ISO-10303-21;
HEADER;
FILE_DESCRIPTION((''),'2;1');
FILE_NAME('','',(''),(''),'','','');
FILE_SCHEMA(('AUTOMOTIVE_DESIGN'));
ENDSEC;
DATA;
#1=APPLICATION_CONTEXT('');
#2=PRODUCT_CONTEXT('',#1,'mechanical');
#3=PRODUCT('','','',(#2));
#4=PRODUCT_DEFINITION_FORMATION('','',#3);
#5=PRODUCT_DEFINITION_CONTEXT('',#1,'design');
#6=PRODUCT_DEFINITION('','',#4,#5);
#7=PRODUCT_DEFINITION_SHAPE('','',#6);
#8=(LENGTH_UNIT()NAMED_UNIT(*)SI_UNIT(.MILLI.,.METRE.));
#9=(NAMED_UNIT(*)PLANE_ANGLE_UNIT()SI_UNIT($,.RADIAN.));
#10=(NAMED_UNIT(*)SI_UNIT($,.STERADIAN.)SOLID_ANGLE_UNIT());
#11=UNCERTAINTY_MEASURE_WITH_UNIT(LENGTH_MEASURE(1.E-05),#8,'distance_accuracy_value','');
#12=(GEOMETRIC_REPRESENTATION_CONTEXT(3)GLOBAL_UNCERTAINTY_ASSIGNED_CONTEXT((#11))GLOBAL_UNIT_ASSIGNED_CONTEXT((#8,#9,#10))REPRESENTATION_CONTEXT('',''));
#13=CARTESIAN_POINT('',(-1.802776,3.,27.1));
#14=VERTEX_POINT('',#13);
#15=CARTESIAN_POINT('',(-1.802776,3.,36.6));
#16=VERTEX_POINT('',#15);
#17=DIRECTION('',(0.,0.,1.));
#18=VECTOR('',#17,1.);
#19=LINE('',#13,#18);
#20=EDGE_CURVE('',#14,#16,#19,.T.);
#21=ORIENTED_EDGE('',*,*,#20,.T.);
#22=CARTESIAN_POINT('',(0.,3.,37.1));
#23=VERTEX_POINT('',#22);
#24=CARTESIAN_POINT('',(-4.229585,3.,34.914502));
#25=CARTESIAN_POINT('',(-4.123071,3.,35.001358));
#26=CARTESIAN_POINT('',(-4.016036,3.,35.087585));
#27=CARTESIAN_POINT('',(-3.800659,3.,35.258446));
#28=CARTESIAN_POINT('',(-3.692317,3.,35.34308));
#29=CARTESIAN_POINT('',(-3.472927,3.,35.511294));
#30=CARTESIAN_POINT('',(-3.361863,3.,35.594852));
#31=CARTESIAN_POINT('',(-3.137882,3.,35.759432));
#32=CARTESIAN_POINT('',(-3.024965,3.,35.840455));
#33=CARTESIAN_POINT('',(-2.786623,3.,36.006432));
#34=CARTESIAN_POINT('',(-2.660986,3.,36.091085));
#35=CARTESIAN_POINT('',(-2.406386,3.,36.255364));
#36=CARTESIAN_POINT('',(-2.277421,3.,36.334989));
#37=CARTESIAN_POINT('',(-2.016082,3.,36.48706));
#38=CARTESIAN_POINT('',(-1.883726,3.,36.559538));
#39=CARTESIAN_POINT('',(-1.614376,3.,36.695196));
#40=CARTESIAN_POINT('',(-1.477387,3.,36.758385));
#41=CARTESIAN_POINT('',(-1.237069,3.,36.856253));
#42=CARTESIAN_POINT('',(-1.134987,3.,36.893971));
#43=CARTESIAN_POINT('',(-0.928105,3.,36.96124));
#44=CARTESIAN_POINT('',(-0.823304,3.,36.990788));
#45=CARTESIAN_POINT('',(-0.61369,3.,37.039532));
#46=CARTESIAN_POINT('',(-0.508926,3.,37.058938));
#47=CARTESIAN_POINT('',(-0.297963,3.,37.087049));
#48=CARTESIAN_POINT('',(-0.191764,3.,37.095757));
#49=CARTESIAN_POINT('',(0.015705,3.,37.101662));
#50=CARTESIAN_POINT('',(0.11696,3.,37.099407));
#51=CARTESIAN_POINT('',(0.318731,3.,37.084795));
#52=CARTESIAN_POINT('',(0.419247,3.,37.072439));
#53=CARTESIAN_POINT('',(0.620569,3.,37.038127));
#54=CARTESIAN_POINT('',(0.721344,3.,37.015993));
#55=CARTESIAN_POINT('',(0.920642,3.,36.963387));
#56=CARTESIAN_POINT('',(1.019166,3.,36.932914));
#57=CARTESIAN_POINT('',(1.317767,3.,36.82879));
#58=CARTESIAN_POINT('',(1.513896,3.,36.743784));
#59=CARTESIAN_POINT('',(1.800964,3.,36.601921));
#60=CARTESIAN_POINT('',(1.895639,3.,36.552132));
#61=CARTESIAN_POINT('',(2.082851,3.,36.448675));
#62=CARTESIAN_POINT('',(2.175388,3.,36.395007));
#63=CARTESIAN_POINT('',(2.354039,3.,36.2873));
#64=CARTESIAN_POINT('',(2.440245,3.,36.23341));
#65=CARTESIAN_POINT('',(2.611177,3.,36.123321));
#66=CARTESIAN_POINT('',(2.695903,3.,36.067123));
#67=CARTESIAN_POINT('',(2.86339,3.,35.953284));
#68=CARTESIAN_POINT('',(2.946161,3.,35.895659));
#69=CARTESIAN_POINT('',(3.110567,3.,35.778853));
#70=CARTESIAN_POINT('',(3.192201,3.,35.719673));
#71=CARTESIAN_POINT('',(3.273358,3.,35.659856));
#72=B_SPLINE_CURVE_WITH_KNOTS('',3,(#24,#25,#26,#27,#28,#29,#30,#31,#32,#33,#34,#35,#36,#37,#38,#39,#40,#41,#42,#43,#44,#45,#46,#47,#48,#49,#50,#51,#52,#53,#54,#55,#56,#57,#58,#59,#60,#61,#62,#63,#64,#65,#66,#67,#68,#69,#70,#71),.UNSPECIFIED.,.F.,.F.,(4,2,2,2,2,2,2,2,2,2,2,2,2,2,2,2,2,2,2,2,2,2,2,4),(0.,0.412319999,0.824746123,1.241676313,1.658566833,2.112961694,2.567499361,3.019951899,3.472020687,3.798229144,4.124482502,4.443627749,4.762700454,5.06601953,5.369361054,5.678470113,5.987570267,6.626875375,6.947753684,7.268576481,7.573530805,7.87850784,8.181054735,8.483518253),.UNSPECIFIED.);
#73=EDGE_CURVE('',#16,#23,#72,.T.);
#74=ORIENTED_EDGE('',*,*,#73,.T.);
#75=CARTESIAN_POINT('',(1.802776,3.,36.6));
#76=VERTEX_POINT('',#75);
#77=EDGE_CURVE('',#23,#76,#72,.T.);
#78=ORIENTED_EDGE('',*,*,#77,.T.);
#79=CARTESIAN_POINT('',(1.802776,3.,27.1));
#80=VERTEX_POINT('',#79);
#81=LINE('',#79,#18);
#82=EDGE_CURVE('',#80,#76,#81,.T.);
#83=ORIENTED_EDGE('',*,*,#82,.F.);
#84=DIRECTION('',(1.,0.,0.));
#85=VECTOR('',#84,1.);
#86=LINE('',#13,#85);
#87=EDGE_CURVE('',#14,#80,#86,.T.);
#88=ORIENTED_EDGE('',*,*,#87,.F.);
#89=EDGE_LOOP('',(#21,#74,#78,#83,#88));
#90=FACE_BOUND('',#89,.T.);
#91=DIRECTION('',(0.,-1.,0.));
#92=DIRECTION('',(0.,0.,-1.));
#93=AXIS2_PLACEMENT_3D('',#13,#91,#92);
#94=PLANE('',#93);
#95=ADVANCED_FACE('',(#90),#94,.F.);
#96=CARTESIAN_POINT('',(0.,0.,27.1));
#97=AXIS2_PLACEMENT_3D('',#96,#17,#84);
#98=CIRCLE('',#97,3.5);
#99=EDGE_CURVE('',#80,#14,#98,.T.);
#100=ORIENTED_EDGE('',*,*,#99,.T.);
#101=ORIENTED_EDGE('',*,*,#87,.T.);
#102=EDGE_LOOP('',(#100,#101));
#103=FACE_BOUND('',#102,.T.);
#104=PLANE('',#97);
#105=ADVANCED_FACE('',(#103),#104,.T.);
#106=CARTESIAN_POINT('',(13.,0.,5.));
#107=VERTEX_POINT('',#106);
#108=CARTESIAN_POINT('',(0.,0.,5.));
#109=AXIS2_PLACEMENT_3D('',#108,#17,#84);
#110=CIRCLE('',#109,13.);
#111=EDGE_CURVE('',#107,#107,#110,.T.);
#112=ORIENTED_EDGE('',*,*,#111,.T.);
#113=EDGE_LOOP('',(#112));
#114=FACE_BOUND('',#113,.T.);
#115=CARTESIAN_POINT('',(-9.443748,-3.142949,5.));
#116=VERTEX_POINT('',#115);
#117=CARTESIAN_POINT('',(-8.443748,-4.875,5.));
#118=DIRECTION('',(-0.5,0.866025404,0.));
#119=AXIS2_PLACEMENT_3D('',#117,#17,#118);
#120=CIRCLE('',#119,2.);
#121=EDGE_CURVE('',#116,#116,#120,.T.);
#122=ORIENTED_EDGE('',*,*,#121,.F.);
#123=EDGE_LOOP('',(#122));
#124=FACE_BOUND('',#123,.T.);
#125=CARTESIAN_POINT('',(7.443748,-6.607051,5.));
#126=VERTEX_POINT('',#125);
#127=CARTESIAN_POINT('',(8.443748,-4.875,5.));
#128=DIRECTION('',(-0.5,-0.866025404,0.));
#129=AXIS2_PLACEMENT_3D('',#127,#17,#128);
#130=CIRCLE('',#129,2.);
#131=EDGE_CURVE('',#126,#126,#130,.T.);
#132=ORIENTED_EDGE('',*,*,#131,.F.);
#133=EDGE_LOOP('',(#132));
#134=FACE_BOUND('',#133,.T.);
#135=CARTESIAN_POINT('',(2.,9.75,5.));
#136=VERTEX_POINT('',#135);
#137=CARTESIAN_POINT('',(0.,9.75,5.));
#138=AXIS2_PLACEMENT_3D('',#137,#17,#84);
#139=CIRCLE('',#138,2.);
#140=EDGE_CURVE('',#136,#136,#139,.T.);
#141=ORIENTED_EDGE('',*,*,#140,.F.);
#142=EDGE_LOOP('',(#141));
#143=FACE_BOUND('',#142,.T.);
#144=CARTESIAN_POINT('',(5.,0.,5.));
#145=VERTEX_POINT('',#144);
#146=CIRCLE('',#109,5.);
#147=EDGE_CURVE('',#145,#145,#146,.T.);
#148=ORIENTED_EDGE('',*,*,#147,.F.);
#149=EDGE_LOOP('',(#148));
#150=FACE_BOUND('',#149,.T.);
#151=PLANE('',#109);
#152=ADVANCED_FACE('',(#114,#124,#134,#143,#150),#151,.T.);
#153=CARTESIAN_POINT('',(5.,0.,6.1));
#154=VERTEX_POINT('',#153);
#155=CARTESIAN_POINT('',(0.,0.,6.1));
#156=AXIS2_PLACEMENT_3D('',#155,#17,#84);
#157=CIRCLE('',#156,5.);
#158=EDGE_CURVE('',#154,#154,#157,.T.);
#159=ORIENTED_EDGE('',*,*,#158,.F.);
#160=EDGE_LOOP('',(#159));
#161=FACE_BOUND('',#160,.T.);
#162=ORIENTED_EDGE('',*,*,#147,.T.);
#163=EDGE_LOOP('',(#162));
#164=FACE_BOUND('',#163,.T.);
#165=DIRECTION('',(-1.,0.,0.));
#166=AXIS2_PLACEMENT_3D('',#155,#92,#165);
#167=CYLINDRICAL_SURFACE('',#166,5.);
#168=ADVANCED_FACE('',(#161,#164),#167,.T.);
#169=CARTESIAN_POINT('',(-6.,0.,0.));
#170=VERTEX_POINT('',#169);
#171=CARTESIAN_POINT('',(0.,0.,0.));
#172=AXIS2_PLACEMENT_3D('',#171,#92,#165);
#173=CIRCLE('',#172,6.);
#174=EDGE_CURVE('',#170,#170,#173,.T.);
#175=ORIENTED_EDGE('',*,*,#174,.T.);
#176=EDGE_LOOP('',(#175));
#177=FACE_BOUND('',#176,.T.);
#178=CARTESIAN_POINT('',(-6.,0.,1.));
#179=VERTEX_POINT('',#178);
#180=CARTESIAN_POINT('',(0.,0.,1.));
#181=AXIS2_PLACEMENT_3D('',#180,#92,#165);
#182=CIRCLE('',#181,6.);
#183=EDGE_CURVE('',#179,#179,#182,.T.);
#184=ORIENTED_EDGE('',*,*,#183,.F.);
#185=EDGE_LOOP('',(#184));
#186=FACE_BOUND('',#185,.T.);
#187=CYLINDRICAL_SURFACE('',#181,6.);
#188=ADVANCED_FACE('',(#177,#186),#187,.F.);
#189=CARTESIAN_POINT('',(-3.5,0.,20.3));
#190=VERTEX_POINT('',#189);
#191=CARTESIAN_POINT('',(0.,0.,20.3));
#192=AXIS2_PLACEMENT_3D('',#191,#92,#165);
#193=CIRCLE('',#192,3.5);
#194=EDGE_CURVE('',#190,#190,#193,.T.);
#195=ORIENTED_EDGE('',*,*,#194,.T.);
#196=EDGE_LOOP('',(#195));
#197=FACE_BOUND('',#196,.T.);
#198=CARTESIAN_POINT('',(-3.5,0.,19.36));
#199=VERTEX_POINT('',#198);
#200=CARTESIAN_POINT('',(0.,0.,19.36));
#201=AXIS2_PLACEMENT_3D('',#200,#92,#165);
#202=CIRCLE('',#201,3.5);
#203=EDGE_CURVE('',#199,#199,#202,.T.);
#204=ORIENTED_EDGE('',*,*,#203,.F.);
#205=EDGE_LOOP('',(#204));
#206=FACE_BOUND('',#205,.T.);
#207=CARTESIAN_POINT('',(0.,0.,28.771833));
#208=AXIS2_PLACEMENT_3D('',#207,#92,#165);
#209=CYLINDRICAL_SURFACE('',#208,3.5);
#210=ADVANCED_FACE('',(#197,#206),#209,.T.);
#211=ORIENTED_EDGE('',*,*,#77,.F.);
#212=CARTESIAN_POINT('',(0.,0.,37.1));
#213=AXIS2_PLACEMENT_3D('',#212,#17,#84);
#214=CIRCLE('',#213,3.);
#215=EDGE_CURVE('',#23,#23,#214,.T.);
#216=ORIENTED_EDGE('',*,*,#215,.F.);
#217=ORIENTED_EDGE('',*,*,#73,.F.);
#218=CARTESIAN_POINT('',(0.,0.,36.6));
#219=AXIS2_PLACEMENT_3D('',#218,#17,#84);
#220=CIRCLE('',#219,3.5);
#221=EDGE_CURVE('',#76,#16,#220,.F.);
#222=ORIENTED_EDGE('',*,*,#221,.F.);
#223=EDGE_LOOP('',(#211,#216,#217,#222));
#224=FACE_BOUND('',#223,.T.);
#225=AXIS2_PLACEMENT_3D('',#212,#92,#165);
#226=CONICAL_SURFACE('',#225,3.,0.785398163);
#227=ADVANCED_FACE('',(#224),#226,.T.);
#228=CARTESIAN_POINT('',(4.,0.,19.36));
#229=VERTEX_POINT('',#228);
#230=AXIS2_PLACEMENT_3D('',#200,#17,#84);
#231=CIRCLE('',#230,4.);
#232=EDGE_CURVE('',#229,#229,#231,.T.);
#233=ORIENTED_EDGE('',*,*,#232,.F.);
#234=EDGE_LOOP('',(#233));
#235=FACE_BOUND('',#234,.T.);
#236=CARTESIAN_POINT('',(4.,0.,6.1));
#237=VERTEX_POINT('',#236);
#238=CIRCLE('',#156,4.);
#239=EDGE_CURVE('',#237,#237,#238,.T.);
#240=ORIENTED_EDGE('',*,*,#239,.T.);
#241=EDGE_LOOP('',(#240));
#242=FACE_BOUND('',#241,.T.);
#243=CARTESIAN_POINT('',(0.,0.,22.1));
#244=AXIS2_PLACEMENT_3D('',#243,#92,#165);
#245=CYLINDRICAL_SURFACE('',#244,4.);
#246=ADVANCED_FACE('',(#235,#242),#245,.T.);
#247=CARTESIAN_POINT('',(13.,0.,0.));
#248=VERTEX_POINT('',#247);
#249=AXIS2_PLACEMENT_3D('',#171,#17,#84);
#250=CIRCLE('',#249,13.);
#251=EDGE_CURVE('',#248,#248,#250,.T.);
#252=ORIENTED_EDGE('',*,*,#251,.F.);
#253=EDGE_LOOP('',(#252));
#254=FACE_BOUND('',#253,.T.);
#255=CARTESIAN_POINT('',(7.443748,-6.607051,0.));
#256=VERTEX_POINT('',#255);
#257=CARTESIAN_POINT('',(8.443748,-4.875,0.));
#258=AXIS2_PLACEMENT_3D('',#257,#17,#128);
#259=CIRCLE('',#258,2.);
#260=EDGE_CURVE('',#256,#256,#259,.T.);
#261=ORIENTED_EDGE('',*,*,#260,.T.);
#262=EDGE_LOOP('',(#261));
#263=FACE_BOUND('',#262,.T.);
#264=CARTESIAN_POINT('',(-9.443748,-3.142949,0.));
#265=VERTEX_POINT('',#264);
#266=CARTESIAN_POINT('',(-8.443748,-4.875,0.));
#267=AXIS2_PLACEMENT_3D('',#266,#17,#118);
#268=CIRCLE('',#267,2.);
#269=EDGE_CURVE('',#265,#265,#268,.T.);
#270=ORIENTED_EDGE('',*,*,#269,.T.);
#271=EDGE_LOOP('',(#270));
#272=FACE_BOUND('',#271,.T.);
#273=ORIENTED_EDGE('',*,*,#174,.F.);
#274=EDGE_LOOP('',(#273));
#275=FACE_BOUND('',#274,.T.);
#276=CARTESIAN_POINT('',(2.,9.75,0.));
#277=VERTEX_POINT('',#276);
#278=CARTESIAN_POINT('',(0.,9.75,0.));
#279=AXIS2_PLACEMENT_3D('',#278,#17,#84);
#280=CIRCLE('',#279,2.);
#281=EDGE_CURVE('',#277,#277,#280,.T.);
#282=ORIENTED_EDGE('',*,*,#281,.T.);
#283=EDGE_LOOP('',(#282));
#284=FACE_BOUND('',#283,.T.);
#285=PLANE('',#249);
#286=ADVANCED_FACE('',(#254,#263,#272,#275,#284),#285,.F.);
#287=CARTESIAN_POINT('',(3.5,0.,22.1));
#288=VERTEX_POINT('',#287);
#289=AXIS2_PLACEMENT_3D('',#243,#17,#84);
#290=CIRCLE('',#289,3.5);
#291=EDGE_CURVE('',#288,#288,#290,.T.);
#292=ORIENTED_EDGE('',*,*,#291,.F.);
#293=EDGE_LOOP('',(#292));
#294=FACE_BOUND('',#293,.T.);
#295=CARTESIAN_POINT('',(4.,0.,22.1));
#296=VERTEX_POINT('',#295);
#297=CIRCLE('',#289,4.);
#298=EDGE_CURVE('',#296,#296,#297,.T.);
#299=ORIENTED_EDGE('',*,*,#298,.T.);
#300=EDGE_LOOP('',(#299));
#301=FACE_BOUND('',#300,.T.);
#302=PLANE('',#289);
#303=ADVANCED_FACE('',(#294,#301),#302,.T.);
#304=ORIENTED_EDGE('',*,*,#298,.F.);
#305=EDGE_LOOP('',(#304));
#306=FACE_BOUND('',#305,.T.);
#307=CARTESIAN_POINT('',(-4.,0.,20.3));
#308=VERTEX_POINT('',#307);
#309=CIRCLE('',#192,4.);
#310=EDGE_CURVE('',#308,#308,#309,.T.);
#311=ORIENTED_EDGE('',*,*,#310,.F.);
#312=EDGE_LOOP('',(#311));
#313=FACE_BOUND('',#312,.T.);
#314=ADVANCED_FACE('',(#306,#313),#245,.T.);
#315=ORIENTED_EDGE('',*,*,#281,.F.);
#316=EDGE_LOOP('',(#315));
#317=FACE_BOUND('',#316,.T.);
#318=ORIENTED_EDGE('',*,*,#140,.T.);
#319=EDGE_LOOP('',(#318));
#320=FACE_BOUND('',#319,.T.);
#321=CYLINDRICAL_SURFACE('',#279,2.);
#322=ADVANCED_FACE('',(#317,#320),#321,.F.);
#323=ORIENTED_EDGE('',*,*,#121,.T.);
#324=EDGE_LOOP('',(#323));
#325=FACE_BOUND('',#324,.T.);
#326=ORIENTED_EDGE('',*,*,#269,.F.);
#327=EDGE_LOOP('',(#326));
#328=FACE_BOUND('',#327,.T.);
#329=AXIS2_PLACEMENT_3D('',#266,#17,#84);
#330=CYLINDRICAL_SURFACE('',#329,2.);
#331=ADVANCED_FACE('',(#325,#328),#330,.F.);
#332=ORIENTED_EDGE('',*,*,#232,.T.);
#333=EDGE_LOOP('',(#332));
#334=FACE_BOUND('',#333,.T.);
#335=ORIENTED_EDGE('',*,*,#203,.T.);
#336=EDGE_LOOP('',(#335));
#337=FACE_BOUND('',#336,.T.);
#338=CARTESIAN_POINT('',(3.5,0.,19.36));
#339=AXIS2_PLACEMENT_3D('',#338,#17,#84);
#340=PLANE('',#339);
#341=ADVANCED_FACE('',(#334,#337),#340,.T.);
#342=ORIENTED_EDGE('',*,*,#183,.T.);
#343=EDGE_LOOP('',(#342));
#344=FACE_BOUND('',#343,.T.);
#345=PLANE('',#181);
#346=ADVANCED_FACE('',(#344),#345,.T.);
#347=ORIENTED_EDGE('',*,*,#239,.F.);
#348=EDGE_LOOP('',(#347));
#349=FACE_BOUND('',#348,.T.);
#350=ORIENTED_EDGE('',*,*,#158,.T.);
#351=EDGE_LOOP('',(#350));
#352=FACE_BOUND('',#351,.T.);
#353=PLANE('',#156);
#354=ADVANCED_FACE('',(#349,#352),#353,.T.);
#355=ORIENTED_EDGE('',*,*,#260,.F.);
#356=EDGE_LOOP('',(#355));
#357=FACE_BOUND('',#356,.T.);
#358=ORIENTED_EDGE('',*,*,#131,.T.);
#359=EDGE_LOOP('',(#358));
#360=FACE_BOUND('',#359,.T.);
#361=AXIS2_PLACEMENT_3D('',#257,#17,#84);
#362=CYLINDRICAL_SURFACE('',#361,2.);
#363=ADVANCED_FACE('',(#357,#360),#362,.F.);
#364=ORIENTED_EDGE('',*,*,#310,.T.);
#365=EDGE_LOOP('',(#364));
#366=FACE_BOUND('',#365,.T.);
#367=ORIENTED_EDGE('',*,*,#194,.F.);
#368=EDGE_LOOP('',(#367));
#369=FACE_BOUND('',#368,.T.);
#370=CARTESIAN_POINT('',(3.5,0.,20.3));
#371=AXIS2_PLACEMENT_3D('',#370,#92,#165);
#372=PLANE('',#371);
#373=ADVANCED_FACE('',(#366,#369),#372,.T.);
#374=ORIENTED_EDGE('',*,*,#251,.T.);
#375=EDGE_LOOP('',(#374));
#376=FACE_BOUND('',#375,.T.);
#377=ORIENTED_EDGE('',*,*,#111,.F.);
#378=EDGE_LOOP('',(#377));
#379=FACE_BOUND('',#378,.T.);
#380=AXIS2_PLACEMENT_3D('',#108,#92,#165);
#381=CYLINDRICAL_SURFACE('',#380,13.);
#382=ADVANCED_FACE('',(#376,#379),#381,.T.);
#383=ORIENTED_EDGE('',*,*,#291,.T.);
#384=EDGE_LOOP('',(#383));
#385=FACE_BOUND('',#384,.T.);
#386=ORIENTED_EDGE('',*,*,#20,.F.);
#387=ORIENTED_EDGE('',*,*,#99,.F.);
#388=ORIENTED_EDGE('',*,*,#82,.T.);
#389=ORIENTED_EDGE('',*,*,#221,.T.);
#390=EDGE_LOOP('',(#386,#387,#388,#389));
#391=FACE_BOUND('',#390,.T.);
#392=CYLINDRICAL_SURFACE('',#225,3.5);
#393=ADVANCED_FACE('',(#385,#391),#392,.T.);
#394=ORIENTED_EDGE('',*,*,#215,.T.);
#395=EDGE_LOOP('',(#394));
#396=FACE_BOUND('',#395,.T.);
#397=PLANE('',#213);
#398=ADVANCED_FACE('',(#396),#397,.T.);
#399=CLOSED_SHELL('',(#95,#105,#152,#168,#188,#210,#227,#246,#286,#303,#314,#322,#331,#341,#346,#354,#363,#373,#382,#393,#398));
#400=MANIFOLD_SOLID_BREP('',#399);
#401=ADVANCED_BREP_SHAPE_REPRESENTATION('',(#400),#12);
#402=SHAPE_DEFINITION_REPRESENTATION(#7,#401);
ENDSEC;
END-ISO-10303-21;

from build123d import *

# Parameters (mm, degrees)
ESQUISSE1_R                  = 13
BASE_EXTRUSION_DEPTH         = 5
ESQUISSE2_R                  = 5
BOSS_EXTRU_1_DEPTH           = 1.1
ESQUISSE3_R                  = 4
BOSS_EXTRU_2_DEPTH           = 16
ESQUISSE4_R                  = 3.5
BOSS_EXTRU_3_DEPTH           = 15
ESQUISSE5_R                  = 2
ENL_V_MAT_EXTRU_1_DEPTH      = 6
R_P_TITION_CIRCULAIRE1_COUNT = 3
ESQUISSE6_W                  = 3.116395494
ESQUISSE6_H                  = 0.94
CHANFREIN1_SIZE              = 0.5
ENL_V_MAT_EXTRU_2_DEPTH      = 10
ESQUISSE9_R                  = 6
ENL_V_MAT_EXTRU_3_DEPTH      = 1


with BuildPart() as part:
    # Esquisse1 → Base-Extrusion (new body)
    with BuildSketch(Plane.XY):
        Circle(ESQUISSE1_R)
    extrude(amount=BASE_EXTRUSION_DEPTH)

    # Esquisse2 → Boss.-Extru.1 (add)
    with BuildSketch(Plane.XY.offset(5)):
        Circle(ESQUISSE2_R)
    extrude(amount=BOSS_EXTRU_1_DEPTH)

    # Esquisse3 → Boss.-Extru.2 (add)
    with BuildSketch(Plane.XY.offset(6.1)):
        Circle(ESQUISSE3_R)
    extrude(amount=BOSS_EXTRU_2_DEPTH)

    # Esquisse4 → Boss.-Extru.3 (add)
    with BuildSketch(Plane.XY.offset(22.1)):
        Circle(ESQUISSE4_R)
    extrude(amount=BOSS_EXTRU_3_DEPTH)

    # Esquisse5 → Enlèv. mat.-Extru.1 (cut, through all)
    with BuildSketch(Plane.XY.offset(5)):
        with Locations((0, 9.75)):
            Circle(ESQUISSE5_R)
    enl_v_mat_extru_1 = extrude(amount=-ENL_V_MAT_EXTRU_1_DEPTH, mode=Mode.SUBTRACT)

    # Répétition circulaire1: Enlèv. mat.-Extru.1 ×3 about axis
    r_p_tition_circulaire1_axis = Axis((0, 0, 0), (0, 0, -1))
    for i in range(1, R_P_TITION_CIRCULAIRE1_COUNT):
        add(enl_v_mat_extru_1.rotate(r_p_tition_circulaire1_axis, i * 360 / R_P_TITION_CIRCULAIRE1_COUNT), mode=Mode.SUBTRACT)

    # Esquisse6 → Enlèvement de matière-Révolution1 (revolve, cut)
    with BuildSketch(Plane(origin=(0, 0, 0), x_dir=(1, 0, 0), z_dir=(0, 1, 0))):
        with Locations((5.058197747, -19.83)):
            Rectangle(ESQUISSE6_W, ESQUISSE6_H)
    revolve(axis=Axis((0, 0, 28.771832847), (0, 0, 1)), mode=Mode.SUBTRACT)

    # Chanfrein1
    chanfrein1_edges = [part.edges().sort_by_distance(p)[0] for p in [
        (-3.5, 0, 37.1),
    ]]
    chamfer(chanfrein1_edges, length=CHANFREIN1_SIZE)

    # Esquisse8 → Enlèv. mat.-Extru.2 (cut)
    with BuildSketch(Plane.XY.offset(37.1)):
        with BuildLine():
            Line((-1.802775638, 3), (1.802775638, 3))
            ThreePointArc((1.802775638, 3), (0, 3.5), (-1.802775638, 3))
        make_face()
    extrude(amount=-ENL_V_MAT_EXTRU_2_DEPTH, mode=Mode.SUBTRACT)

    # Esquisse9 → Enlèv. mat.-Extru.3 (cut)
    with BuildSketch(Plane(origin=(0, 0, 0), x_dir=(-1, 0, 0), z_dir=(0, 0, -1))):
        Circle(ESQUISSE9_R)
    extrude(amount=-ENL_V_MAT_EXTRU_3_DEPTH, mode=Mode.SUBTRACT)


solid = part.part
